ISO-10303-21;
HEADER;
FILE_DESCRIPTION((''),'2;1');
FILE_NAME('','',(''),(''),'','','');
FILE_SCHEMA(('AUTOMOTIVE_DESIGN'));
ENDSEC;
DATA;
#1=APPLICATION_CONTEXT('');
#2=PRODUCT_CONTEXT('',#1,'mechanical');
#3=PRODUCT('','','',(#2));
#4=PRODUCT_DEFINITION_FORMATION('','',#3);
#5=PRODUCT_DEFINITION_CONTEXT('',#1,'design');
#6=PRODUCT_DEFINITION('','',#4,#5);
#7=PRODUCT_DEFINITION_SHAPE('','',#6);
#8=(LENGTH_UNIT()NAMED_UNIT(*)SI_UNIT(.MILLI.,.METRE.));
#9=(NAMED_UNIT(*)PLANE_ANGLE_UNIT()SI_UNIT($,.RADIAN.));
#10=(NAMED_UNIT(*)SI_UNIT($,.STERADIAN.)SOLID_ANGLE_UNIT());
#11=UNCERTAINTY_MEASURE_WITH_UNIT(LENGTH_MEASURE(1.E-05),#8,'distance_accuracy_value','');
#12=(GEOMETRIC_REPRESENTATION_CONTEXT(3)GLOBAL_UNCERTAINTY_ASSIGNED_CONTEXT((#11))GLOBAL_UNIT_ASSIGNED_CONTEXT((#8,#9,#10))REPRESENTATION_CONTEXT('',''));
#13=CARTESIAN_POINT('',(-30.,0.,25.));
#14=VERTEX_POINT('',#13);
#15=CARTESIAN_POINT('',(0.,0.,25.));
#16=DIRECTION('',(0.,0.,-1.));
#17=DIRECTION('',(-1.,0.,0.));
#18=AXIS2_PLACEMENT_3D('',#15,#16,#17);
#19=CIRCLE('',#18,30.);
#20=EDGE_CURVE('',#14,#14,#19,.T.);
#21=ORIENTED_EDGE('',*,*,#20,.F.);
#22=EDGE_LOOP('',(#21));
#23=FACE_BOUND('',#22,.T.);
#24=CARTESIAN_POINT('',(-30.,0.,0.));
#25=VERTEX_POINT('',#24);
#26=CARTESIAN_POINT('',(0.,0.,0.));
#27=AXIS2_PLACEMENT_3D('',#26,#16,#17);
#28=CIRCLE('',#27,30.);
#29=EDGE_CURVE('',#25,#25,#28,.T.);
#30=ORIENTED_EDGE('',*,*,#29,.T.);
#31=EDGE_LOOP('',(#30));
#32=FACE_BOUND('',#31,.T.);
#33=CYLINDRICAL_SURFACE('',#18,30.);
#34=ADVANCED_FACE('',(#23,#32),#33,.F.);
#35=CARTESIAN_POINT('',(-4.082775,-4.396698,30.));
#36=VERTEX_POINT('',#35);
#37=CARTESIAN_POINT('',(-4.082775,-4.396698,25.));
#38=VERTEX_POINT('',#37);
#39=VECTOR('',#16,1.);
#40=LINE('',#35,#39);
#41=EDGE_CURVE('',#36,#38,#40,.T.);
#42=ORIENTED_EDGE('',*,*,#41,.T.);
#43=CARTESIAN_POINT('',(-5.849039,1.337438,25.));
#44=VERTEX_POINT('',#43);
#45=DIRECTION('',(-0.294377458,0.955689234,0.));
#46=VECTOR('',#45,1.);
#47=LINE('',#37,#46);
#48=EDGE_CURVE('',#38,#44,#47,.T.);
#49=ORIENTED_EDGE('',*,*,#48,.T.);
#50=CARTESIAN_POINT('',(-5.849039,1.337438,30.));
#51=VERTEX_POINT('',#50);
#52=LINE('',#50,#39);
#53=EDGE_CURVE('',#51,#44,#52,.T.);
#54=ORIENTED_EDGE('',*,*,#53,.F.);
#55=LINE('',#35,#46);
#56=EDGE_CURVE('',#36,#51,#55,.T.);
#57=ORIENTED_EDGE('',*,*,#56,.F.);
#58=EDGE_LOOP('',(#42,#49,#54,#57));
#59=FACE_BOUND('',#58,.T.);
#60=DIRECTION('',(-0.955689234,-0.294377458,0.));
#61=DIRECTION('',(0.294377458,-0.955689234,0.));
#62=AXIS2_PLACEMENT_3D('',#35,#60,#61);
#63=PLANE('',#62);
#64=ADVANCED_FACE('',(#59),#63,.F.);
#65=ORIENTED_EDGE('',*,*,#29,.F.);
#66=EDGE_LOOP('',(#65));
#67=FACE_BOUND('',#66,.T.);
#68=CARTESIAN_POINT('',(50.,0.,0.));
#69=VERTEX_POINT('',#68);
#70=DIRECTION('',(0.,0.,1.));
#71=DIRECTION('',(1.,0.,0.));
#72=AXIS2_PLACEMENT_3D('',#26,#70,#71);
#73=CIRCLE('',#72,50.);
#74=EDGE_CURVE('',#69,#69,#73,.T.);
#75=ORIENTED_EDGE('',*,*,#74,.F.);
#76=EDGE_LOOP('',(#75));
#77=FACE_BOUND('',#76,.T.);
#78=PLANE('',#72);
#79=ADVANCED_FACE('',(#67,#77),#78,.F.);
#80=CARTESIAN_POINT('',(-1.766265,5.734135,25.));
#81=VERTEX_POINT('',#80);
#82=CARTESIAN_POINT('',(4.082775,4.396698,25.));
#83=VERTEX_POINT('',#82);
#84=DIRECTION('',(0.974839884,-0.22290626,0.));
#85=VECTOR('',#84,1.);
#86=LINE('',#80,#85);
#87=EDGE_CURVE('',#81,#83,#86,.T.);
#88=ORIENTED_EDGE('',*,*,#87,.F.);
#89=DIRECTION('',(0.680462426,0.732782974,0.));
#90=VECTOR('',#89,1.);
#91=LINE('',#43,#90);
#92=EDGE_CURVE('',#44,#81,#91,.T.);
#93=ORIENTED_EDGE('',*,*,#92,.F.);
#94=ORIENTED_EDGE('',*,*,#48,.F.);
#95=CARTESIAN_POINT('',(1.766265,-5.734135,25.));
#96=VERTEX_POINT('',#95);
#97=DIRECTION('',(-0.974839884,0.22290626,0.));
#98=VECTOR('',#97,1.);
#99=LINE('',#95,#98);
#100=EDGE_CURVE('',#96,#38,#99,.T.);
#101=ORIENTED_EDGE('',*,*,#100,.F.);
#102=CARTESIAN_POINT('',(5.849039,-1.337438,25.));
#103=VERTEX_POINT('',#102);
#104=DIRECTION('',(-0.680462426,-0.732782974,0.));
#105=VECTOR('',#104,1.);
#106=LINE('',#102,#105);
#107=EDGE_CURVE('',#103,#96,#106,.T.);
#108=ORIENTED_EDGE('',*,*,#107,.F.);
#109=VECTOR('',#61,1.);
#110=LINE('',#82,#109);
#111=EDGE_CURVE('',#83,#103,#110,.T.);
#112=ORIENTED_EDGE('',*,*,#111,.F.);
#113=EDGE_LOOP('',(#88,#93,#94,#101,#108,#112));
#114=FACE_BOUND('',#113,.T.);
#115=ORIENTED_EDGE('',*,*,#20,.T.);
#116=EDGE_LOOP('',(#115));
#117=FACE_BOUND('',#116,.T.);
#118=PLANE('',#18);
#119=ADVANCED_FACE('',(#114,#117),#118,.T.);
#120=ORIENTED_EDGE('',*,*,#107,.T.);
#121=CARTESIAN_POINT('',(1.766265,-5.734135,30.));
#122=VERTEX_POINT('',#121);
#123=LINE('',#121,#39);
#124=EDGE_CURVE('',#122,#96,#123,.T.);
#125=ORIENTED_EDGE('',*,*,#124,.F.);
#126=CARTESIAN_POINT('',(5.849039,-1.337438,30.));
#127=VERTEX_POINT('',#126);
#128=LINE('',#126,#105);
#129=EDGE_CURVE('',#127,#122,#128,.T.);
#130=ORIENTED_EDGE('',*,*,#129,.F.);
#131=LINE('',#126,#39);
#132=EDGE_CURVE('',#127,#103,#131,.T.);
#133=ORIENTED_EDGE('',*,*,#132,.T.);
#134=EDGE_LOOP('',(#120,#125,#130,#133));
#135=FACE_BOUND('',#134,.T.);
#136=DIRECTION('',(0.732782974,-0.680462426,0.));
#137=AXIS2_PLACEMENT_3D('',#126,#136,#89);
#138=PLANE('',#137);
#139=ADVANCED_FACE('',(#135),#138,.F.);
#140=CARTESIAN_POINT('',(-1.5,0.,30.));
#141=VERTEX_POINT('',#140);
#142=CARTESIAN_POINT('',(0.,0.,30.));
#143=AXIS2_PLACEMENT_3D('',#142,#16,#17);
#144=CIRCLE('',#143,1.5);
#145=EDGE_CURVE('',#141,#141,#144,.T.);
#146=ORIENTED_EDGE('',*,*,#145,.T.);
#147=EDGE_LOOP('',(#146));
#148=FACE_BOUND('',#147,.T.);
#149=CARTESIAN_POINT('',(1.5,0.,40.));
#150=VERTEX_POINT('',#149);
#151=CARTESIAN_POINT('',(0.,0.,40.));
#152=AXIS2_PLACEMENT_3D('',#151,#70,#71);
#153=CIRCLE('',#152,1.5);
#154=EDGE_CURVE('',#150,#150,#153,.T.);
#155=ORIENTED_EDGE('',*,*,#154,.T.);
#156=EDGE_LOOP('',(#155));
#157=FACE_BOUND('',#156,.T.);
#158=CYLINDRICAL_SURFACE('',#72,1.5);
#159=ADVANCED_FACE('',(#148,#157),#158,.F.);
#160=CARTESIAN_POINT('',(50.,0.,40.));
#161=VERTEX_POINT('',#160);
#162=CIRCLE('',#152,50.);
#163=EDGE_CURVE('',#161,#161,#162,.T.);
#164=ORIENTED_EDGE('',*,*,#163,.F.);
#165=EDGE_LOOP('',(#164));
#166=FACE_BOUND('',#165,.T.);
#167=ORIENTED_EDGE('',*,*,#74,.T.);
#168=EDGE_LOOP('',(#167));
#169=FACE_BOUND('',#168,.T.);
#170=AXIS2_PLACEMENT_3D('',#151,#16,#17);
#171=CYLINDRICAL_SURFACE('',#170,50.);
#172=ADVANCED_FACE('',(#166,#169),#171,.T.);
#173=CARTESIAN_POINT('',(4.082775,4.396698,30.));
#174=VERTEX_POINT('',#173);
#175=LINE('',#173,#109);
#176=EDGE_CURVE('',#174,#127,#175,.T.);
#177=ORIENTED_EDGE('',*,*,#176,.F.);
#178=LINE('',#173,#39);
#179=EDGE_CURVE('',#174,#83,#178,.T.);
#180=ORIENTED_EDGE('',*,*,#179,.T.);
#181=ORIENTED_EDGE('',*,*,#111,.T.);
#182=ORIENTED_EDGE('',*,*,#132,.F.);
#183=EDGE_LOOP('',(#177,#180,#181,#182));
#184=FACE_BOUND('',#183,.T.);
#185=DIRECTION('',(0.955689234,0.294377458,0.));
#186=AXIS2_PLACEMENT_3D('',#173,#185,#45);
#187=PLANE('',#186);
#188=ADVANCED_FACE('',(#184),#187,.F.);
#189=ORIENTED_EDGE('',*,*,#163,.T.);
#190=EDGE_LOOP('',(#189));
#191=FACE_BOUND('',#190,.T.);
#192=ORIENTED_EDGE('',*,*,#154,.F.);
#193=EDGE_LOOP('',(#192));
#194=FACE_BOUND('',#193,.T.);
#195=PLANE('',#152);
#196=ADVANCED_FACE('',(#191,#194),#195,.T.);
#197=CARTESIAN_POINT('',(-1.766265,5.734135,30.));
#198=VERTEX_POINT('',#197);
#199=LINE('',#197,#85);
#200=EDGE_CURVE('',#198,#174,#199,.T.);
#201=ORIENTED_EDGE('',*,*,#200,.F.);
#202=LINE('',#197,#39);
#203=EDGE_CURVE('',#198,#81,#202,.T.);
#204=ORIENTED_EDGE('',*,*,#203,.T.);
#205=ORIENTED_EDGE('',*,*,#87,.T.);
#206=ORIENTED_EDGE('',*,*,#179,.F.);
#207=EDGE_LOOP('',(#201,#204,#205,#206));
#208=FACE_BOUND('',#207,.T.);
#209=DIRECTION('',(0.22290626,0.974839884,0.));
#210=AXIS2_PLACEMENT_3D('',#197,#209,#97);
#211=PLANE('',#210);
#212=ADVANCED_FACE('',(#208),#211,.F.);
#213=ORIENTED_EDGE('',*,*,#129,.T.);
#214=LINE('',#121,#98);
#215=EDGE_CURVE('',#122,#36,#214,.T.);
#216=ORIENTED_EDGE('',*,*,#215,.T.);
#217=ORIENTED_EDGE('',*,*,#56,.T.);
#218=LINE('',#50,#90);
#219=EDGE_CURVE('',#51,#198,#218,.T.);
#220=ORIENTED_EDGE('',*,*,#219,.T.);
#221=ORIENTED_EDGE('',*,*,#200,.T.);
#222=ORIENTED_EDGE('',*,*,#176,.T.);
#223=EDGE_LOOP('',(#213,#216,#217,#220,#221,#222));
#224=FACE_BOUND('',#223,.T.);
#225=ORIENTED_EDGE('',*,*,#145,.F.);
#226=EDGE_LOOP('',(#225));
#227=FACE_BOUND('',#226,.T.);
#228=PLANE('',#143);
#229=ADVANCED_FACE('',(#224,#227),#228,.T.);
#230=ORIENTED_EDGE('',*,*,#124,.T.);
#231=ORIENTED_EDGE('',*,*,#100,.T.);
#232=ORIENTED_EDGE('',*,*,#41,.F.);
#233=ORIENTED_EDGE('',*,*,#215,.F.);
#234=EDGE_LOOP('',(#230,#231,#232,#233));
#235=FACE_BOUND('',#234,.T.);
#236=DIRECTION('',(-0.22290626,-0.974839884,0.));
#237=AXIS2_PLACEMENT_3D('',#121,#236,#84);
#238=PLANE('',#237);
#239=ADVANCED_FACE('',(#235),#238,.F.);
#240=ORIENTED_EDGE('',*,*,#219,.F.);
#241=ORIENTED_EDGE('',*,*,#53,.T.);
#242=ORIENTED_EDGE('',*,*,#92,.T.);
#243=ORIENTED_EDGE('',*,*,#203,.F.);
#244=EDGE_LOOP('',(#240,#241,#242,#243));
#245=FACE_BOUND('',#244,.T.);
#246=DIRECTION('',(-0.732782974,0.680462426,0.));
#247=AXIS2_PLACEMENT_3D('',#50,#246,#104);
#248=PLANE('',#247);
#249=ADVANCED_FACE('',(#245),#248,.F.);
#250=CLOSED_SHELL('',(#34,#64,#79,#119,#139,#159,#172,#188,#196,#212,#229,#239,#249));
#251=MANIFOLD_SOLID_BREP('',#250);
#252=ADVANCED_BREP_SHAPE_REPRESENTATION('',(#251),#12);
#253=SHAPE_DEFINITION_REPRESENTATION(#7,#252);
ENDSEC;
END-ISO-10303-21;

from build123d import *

# Parameters (mm, degrees)
SKETCH1_R           = 50
BOSS_EXTRUDE1_DEPTH = 40
SKETCH2_R           = 30
CUT_EXTRUDE1_DEPTH  = 25
CUT_EXTRUDE2_DEPTH  = 5
SKETCH5_R           = 1.5
CUT_EXTRUDE3_DEPTH  = 40


with BuildPart() as part:
    # Sketch1 → Boss-Extrude1 (new body)
    with BuildSketch(Plane.XY):
        Circle(SKETCH1_R)
    extrude(amount=BOSS_EXTRUDE1_DEPTH)

    # Sketch2 → Cut-Extrude1 (cut)
    with BuildSketch(Plane(origin=(0, 0, 0), x_dir=(-1, 0, 0), z_dir=(0, 0, -1))):
        Circle(SKETCH2_R)
    extrude(amount=-CUT_EXTRUDE1_DEPTH, mode=Mode.SUBTRACT)

    # Sketch3 → Cut-Extrude2 (cut)
    with BuildSketch(Plane(origin=(0, 0, 25), x_dir=(-1, 0, 0), z_dir=(0, 0, -1))):
        Polygon((4.082774554, -4.396697846), (5.849039304, 1.337437558), (1.76626475, 5.734135404), (-4.082774554, 4.396697846), (-5.849039304, -1.337437558), (-1.76626475, -5.734135404), align=None)
    extrude(amount=-CUT_EXTRUDE2_DEPTH, mode=Mode.SUBTRACT)

    # Sketch5 → Cut-Extrude3 (cut)
    with BuildSketch(Plane.XY.offset(40)):
        Circle(SKETCH5_R)
    extrude(amount=-CUT_EXTRUDE3_DEPTH, mode=Mode.SUBTRACT)


solid = part.part
